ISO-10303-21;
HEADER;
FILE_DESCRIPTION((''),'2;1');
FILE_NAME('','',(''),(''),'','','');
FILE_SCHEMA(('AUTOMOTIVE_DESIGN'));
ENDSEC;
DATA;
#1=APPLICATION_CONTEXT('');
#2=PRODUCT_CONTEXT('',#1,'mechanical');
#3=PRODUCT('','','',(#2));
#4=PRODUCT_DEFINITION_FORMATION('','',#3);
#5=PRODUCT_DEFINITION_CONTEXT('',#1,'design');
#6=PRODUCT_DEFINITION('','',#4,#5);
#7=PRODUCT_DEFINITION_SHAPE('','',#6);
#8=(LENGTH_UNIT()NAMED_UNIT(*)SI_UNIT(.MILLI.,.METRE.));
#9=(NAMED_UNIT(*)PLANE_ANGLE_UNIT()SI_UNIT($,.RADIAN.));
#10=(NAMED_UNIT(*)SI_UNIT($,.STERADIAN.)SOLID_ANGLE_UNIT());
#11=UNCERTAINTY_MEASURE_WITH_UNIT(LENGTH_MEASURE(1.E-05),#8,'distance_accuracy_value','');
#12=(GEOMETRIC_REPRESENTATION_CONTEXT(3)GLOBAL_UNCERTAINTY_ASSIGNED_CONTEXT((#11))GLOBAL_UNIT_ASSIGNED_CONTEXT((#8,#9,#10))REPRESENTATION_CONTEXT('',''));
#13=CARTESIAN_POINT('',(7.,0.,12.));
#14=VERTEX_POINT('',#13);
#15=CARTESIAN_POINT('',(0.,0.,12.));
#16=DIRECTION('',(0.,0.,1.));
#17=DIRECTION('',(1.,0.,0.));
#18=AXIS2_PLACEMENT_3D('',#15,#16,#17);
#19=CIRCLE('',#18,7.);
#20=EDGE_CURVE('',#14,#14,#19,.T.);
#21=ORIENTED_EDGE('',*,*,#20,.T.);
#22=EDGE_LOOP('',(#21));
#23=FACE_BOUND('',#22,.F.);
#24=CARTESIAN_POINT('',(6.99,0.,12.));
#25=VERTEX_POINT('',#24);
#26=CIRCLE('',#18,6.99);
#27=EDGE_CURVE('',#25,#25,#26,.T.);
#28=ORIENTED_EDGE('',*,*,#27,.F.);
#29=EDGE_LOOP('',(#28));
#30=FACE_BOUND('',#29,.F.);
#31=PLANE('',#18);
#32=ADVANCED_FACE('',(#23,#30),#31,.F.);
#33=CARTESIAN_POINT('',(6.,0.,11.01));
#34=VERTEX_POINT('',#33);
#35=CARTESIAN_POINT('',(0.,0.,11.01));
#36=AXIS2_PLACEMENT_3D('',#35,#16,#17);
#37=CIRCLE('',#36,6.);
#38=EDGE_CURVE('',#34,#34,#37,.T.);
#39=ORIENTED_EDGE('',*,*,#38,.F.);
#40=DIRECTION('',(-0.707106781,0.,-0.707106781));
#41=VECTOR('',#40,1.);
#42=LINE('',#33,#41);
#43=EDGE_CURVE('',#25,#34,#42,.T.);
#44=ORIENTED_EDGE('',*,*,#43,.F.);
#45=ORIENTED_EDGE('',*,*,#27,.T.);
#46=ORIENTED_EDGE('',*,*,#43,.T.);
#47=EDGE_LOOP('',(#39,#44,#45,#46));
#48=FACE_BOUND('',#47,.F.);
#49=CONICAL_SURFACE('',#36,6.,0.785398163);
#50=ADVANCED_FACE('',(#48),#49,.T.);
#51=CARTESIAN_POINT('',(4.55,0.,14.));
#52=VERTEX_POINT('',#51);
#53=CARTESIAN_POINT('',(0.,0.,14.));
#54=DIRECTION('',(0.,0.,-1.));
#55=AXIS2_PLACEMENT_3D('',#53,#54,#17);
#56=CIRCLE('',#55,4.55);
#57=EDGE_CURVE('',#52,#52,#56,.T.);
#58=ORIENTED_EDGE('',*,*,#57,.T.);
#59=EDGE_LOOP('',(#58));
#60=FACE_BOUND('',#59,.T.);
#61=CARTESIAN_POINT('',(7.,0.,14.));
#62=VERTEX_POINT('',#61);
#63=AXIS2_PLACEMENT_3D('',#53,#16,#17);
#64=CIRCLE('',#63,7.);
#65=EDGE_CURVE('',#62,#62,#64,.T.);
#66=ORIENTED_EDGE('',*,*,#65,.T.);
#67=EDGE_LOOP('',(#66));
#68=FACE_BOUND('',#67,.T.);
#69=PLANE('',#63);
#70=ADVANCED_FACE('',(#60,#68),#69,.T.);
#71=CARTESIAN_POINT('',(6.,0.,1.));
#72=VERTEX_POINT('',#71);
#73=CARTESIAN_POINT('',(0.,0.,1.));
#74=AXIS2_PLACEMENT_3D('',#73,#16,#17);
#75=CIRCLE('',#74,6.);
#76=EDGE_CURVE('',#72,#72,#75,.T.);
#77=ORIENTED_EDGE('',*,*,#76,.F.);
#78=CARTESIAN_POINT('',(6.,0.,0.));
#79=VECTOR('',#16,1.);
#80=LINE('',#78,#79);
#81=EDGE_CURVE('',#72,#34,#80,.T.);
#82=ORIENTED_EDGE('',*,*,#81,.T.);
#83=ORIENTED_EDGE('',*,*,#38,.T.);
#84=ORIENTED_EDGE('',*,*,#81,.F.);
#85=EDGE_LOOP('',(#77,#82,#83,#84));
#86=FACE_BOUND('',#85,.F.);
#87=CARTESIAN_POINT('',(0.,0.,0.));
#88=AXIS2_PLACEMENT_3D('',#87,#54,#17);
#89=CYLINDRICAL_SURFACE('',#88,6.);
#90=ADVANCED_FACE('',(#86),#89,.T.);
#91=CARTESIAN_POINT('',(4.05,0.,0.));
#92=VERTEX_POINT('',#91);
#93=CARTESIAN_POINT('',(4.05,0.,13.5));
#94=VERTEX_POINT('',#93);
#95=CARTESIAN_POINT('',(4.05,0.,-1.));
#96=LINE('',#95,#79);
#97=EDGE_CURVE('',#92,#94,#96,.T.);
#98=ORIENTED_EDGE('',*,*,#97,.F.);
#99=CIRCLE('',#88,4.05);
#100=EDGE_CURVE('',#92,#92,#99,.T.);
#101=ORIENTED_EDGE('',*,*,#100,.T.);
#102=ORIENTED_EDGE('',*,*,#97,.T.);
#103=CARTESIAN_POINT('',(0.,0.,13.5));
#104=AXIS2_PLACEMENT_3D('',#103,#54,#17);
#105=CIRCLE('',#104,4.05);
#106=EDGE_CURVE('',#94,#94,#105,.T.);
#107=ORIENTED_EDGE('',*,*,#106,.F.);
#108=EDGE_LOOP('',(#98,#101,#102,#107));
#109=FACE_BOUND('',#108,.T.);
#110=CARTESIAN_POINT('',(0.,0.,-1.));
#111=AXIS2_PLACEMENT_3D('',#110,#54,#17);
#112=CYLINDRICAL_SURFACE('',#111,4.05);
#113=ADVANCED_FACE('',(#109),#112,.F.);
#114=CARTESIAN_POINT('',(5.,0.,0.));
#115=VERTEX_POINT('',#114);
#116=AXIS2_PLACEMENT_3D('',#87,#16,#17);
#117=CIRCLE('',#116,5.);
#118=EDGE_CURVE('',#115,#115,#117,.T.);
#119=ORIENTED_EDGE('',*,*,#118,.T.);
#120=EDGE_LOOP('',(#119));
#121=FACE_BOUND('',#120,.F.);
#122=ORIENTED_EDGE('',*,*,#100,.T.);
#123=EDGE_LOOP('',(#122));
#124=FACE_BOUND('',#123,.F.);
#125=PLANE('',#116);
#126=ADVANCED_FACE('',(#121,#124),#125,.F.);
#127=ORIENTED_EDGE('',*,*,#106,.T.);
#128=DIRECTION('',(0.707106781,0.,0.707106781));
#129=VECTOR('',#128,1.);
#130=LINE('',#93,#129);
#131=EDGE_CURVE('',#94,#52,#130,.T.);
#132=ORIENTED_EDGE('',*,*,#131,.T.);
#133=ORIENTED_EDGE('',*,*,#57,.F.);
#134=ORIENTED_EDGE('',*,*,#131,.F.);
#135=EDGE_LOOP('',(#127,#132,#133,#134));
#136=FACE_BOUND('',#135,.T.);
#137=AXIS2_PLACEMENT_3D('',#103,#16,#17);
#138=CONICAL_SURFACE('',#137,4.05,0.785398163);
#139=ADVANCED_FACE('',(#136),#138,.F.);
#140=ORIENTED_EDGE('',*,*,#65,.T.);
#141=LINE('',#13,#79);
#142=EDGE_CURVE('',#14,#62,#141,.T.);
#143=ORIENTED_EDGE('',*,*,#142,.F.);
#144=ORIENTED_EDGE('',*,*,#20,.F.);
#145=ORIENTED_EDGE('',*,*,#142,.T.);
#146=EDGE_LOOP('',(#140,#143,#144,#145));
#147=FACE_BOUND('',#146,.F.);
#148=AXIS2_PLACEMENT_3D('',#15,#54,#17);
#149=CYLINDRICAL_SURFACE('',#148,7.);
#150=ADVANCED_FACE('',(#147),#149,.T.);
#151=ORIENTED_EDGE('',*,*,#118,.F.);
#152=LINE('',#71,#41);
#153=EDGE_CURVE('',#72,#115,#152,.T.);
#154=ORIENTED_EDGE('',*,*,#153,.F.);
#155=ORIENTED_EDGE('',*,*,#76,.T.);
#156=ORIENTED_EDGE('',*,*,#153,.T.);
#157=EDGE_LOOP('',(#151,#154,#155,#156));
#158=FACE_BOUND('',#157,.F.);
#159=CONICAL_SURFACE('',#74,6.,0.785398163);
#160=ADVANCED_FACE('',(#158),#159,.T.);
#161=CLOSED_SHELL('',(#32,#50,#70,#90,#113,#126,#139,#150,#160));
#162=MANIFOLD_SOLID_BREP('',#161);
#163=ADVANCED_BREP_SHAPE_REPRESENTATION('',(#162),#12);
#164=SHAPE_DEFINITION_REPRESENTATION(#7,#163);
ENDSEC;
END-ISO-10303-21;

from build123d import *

# Parameters (mm, degrees)
CYLINDER001_R     = 4.05
CYLINDER001_DEPTH = 28
CYLINDER_R        = 6
CYLINDER_DEPTH    = 12
SKETCH_R          = 7
PAD_DEPTH         = 2
CHAMFER_SIZE      = 0.99
CHAMFER001_SIZE   = 1
CHAMFER002_SIZE   = 0.5


with BuildPart() as cilindro001:
    # Cylinder001 → Cylinder001 (new body)
    with BuildSketch(Plane.XY.offset(-1)):
        Circle(CYLINDER001_R)
    extrude(amount=CYLINDER001_DEPTH)


with BuildPart() as chamfer002:
    # Cylinder → Cylinder (new body)
    with BuildSketch(Plane.XY):
        Circle(CYLINDER_R)
    extrude(amount=CYLINDER_DEPTH)

    # Sketch → Pad (new body)
    with BuildSketch(Plane.XY.offset(12)):
        Circle(SKETCH_R)
    extrude(amount=PAD_DEPTH)

    # Cut: cut Cilindro001
    add(cilindro001.part, mode=Mode.SUBTRACT)

    # Chamfer
    chamfer_edges = [chamfer002.edges().sort_by_distance(p)[0] for p in [
        (-6, 0, 12),
    ]]
    chamfer(chamfer_edges, length=CHAMFER_SIZE)

    # Chamfer001
    chamfer001_edges = [chamfer002.edges().sort_by_distance(p)[0] for p in [
        (-6, 0, 0),
    ]]
    chamfer(chamfer001_edges, length=CHAMFER001_SIZE)

    # Chamfer002
    chamfer002_edges = [chamfer002.edges().sort_by_distance(p)[0] for p in [
        (-4.05, 0, 14),
    ]]
    chamfer(chamfer002_edges, length=CHAMFER002_SIZE)


solid = chamfer002.part
